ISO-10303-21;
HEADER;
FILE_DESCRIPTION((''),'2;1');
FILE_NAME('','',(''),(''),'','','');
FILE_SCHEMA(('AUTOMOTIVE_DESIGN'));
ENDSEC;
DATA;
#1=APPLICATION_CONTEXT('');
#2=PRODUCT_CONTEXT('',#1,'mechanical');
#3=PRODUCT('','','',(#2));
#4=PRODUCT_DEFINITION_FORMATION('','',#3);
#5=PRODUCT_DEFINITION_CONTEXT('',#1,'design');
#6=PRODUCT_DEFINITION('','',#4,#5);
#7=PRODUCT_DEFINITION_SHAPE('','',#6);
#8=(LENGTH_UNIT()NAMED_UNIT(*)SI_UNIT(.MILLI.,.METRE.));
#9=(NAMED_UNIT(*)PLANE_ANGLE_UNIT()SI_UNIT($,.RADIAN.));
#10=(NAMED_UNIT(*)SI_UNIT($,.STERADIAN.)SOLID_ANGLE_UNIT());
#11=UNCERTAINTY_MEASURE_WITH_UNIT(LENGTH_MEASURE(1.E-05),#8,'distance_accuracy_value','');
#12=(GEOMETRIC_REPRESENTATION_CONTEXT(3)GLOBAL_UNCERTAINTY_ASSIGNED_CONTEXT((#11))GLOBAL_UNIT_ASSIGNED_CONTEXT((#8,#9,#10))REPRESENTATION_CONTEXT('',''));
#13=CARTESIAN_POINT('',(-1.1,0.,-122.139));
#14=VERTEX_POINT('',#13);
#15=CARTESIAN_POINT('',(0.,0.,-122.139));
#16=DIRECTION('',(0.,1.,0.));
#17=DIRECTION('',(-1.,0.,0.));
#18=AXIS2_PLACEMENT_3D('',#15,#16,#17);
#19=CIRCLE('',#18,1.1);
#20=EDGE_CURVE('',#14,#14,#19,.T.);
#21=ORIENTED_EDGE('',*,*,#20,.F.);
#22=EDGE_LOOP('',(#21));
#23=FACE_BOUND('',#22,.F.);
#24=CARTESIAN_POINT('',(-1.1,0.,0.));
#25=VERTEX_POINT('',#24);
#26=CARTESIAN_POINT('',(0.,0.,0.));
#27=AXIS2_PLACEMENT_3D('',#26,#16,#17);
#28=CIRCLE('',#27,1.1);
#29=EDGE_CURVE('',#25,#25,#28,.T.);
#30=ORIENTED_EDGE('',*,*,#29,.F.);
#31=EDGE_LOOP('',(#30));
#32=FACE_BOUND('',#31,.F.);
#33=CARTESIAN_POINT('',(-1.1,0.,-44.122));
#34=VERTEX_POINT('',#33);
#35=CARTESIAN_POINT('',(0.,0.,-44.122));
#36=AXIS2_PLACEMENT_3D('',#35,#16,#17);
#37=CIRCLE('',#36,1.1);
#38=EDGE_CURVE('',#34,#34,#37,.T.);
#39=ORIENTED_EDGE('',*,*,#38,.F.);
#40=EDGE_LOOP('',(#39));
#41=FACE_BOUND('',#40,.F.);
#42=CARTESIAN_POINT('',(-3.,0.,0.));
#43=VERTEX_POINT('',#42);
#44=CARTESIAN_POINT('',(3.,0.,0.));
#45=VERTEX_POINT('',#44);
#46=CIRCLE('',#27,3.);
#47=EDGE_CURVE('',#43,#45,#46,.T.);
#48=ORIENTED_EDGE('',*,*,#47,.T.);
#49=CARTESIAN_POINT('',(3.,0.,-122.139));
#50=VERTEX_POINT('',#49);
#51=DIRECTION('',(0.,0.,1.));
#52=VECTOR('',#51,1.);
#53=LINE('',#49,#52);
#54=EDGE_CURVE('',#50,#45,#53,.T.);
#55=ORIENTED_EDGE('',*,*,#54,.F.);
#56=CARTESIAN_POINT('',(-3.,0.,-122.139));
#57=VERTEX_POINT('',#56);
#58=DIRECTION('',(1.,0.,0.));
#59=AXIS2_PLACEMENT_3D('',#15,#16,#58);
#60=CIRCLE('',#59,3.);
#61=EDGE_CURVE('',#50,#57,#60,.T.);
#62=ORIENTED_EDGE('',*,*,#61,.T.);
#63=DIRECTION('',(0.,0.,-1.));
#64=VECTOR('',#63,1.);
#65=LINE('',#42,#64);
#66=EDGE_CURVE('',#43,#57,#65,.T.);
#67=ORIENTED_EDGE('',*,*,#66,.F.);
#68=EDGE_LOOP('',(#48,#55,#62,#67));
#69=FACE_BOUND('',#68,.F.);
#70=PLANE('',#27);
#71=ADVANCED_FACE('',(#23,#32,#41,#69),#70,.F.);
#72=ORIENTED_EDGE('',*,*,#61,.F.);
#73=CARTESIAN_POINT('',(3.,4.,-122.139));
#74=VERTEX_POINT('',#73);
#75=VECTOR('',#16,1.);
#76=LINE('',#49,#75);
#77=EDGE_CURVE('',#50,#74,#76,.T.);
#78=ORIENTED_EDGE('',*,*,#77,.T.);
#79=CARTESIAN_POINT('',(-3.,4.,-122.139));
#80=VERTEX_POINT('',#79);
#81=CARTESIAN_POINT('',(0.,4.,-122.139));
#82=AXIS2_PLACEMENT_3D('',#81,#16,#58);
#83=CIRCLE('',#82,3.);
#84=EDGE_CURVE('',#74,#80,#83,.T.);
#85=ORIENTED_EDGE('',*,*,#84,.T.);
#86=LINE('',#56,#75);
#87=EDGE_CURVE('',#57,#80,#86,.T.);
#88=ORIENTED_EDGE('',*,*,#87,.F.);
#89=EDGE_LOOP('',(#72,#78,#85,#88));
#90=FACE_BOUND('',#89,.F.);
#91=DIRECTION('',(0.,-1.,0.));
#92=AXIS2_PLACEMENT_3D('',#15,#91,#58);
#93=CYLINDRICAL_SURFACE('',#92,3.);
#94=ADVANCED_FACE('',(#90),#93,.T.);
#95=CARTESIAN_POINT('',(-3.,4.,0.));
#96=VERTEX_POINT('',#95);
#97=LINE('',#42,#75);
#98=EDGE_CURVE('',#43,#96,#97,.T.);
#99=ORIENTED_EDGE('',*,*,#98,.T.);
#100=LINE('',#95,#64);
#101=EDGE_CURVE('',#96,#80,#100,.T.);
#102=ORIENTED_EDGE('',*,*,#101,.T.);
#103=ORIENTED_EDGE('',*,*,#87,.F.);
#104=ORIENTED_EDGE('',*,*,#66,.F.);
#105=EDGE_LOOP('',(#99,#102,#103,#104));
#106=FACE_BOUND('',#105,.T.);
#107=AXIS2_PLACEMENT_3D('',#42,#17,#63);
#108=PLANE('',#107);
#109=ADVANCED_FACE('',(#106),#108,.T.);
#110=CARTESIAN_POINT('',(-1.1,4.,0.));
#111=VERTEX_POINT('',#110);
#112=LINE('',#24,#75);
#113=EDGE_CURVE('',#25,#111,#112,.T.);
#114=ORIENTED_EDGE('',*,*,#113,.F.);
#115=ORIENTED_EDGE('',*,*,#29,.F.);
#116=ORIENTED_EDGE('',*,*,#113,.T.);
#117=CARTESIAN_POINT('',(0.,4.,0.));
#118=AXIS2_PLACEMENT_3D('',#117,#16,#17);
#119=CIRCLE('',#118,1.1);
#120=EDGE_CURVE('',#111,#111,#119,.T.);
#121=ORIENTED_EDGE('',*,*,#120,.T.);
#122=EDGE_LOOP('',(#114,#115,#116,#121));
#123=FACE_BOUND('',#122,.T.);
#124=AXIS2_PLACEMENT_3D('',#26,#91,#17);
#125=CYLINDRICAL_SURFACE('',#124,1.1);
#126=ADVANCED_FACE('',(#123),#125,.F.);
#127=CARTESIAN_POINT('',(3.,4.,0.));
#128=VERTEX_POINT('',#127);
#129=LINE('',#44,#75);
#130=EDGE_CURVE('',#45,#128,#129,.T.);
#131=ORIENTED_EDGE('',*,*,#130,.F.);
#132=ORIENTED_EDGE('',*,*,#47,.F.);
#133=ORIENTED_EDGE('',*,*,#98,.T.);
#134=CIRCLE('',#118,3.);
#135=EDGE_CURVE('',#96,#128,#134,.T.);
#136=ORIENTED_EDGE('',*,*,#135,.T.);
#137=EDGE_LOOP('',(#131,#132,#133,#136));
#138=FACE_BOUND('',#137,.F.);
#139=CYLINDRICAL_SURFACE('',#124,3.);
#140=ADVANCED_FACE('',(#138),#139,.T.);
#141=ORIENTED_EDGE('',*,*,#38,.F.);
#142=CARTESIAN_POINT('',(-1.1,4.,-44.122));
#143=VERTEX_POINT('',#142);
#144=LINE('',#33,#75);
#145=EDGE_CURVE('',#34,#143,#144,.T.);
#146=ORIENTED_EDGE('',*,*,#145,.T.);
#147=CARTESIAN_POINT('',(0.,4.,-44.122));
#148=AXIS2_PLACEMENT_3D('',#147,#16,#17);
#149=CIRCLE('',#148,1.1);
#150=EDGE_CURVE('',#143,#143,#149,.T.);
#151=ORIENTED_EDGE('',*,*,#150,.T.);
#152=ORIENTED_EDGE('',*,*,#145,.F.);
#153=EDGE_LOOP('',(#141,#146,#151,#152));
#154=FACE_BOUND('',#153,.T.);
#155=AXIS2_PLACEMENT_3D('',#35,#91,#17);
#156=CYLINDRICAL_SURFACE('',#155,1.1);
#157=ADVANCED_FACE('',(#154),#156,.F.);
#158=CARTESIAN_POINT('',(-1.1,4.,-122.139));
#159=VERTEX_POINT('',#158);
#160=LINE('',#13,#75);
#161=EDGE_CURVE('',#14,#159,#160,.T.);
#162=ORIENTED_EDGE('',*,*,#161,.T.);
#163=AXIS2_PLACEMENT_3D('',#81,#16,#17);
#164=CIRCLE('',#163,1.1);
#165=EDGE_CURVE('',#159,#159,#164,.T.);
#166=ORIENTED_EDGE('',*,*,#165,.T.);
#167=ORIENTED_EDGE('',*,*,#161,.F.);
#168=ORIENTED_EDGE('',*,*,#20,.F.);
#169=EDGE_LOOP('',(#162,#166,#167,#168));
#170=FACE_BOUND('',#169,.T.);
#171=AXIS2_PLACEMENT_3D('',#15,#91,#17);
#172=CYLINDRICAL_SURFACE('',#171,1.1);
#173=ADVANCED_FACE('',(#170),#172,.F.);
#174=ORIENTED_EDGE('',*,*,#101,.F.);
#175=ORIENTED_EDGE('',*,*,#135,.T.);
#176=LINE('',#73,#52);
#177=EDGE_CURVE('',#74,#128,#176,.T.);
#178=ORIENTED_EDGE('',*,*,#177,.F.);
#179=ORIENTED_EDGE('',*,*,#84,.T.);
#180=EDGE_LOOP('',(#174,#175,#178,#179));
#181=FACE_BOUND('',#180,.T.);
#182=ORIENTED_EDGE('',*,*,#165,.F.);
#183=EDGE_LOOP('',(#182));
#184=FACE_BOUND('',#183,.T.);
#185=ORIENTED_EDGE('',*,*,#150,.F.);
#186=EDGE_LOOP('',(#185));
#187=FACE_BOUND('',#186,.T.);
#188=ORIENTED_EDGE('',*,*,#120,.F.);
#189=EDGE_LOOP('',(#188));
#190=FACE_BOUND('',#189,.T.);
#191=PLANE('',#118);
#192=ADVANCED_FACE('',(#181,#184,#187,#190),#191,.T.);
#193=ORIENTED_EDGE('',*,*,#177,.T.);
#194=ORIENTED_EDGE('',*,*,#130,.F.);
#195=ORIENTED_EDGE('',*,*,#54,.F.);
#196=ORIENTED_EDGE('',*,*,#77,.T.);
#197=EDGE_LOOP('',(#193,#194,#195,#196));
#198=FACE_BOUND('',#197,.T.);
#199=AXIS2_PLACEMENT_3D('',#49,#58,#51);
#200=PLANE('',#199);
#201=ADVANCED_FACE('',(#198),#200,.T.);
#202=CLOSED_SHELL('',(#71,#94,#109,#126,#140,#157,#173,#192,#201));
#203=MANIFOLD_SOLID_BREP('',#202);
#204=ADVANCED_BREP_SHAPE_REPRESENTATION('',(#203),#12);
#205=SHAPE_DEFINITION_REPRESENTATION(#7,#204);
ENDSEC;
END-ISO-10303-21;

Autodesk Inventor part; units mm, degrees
ref_plane "YZ Plane" through (0, 0, 0) normal (1, 0, 0) x (0, 1, 0)
ref_plane "XZ Plane" through (0, 0, 0) normal (0, 1, 0) x (-1, 0, 0)
ref_plane "XY Plane" through (0, 0, 0) normal (0, 0, 1) x (1, 0, 0)
sketch "Sketch1" plane through (0, 0, 0) normal (0, 1, 0) x (-1, 0, 0)
  line L0 (0, 0) -> (0, -122.139) construction
  line L1 (3, 0) -> (3, -122.139)
  line L2 (-3, -122.139) -> (-3, 0)
  arc A0 (3, 0) -> (-3, 0) centre (0, 0) ccw
  arc A1 (-3, -122.139) -> (3, -122.139) centre (0, -122.139) ccw
  circle A2 centre (0, 0) radius 1.1
  circle A3 centre (0, -122.139) radius 1.1
  circle A4 centre (0, -44.122) radius 1.1
  point P0 (0, -61.0695)
  dimension "d0" = 2.2
  dimension "d1" = 2.2
  dimension "d2" = 6
  dimension "d3" = 122.139
  dimension "d4" = 2.2
  dimension "d5" = 44.122
extrude "Extrusion1" add sketch "Sketch1" along normal blind 4
